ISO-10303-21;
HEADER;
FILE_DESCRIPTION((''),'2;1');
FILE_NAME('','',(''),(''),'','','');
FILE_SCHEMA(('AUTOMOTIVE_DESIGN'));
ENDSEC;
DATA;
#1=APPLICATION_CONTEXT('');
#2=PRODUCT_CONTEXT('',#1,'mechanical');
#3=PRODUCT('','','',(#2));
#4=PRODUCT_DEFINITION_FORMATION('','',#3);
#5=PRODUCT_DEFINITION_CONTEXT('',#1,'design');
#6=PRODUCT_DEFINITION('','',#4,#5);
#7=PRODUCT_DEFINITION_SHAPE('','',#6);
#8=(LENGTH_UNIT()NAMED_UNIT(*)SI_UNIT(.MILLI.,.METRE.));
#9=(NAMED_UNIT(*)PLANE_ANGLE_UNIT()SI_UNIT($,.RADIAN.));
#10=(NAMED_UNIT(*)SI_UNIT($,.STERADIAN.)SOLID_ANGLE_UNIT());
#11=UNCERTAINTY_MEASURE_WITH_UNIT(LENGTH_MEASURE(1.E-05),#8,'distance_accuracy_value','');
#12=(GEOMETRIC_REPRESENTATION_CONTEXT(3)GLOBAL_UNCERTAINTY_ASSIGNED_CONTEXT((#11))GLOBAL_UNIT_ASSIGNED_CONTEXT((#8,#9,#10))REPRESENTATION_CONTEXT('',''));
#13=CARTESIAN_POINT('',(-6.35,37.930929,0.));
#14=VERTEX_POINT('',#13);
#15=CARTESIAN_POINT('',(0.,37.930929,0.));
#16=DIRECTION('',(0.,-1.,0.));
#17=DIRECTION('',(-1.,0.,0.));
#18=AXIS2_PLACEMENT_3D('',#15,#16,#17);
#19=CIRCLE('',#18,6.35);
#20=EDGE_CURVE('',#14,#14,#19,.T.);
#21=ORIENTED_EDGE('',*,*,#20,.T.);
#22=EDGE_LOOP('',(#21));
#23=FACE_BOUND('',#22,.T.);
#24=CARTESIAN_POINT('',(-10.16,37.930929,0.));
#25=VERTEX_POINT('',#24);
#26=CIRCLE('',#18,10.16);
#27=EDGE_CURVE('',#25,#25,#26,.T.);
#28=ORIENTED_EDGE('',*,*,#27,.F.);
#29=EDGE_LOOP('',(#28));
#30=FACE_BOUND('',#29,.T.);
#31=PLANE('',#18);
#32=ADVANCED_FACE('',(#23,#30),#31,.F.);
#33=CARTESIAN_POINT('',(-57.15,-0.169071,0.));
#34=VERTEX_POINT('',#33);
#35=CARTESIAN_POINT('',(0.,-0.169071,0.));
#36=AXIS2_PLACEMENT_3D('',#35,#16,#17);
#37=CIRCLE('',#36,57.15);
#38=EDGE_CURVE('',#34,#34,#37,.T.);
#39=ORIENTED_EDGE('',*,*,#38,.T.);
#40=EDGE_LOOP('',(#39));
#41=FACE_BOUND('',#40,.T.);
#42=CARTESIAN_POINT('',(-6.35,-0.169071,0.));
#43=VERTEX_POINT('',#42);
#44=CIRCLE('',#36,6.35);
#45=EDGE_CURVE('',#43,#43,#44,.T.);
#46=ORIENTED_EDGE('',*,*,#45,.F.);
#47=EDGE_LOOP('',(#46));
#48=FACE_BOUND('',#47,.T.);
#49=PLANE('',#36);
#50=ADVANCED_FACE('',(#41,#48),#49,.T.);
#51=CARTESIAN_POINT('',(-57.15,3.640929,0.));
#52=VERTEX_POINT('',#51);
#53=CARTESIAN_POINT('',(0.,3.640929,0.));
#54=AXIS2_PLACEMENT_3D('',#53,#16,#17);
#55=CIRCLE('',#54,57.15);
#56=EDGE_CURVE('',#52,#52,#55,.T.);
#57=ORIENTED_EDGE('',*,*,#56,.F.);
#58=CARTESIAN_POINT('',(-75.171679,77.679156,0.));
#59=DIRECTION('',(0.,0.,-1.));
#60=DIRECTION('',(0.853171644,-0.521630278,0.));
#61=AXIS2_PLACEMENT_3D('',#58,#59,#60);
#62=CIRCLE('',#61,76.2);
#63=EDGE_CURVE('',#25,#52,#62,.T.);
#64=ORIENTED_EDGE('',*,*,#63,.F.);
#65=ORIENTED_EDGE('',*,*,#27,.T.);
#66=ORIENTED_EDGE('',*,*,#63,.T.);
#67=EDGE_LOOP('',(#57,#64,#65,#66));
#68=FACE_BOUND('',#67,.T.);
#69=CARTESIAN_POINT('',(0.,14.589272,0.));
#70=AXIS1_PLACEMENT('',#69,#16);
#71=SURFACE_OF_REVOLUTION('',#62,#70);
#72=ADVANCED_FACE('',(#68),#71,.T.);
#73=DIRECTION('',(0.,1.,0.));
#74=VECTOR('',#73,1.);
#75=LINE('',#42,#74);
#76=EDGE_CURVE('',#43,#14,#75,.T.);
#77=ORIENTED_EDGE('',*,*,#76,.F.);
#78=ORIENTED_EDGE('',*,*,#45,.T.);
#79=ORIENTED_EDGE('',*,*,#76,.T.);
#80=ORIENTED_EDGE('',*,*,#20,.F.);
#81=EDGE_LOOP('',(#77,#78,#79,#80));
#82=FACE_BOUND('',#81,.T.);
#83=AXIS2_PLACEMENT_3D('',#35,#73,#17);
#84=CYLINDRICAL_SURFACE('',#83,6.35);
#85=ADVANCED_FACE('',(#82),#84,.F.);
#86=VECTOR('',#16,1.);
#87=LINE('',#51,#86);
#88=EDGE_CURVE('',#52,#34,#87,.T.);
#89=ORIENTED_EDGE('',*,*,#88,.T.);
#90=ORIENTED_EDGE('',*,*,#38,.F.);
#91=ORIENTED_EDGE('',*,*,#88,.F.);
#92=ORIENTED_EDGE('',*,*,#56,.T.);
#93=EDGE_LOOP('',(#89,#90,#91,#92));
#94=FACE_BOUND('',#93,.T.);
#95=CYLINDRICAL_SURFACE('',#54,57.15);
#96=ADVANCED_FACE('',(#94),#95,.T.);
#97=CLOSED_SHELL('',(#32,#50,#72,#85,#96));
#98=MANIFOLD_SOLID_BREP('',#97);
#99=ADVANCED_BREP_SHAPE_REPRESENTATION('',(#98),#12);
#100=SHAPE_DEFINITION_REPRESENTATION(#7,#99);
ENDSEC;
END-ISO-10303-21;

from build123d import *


with BuildPart() as f1:
    # F0 (on Top) → F1 (revolve)
    with BuildSketch(Plane.XY):
        with BuildLine():
            ThreePointArc((-10.16, 37.930929), (-30.254136, 16.125486), (-57.15, 3.640929))
            Line((-57.15, 3.640929), (-57.15, -0.169071))
            Line((-57.15, -0.169071), (-6.35, -0.169071))
            Line((-6.35, -0.169071), (-6.35, 37.930929))
            Line((-6.35, 37.930929), (-10.16, 37.930929))
        make_face()
    revolve(axis=Axis((0, 14.589272, 0), (0, -1, 0)))


solid = f1.part
